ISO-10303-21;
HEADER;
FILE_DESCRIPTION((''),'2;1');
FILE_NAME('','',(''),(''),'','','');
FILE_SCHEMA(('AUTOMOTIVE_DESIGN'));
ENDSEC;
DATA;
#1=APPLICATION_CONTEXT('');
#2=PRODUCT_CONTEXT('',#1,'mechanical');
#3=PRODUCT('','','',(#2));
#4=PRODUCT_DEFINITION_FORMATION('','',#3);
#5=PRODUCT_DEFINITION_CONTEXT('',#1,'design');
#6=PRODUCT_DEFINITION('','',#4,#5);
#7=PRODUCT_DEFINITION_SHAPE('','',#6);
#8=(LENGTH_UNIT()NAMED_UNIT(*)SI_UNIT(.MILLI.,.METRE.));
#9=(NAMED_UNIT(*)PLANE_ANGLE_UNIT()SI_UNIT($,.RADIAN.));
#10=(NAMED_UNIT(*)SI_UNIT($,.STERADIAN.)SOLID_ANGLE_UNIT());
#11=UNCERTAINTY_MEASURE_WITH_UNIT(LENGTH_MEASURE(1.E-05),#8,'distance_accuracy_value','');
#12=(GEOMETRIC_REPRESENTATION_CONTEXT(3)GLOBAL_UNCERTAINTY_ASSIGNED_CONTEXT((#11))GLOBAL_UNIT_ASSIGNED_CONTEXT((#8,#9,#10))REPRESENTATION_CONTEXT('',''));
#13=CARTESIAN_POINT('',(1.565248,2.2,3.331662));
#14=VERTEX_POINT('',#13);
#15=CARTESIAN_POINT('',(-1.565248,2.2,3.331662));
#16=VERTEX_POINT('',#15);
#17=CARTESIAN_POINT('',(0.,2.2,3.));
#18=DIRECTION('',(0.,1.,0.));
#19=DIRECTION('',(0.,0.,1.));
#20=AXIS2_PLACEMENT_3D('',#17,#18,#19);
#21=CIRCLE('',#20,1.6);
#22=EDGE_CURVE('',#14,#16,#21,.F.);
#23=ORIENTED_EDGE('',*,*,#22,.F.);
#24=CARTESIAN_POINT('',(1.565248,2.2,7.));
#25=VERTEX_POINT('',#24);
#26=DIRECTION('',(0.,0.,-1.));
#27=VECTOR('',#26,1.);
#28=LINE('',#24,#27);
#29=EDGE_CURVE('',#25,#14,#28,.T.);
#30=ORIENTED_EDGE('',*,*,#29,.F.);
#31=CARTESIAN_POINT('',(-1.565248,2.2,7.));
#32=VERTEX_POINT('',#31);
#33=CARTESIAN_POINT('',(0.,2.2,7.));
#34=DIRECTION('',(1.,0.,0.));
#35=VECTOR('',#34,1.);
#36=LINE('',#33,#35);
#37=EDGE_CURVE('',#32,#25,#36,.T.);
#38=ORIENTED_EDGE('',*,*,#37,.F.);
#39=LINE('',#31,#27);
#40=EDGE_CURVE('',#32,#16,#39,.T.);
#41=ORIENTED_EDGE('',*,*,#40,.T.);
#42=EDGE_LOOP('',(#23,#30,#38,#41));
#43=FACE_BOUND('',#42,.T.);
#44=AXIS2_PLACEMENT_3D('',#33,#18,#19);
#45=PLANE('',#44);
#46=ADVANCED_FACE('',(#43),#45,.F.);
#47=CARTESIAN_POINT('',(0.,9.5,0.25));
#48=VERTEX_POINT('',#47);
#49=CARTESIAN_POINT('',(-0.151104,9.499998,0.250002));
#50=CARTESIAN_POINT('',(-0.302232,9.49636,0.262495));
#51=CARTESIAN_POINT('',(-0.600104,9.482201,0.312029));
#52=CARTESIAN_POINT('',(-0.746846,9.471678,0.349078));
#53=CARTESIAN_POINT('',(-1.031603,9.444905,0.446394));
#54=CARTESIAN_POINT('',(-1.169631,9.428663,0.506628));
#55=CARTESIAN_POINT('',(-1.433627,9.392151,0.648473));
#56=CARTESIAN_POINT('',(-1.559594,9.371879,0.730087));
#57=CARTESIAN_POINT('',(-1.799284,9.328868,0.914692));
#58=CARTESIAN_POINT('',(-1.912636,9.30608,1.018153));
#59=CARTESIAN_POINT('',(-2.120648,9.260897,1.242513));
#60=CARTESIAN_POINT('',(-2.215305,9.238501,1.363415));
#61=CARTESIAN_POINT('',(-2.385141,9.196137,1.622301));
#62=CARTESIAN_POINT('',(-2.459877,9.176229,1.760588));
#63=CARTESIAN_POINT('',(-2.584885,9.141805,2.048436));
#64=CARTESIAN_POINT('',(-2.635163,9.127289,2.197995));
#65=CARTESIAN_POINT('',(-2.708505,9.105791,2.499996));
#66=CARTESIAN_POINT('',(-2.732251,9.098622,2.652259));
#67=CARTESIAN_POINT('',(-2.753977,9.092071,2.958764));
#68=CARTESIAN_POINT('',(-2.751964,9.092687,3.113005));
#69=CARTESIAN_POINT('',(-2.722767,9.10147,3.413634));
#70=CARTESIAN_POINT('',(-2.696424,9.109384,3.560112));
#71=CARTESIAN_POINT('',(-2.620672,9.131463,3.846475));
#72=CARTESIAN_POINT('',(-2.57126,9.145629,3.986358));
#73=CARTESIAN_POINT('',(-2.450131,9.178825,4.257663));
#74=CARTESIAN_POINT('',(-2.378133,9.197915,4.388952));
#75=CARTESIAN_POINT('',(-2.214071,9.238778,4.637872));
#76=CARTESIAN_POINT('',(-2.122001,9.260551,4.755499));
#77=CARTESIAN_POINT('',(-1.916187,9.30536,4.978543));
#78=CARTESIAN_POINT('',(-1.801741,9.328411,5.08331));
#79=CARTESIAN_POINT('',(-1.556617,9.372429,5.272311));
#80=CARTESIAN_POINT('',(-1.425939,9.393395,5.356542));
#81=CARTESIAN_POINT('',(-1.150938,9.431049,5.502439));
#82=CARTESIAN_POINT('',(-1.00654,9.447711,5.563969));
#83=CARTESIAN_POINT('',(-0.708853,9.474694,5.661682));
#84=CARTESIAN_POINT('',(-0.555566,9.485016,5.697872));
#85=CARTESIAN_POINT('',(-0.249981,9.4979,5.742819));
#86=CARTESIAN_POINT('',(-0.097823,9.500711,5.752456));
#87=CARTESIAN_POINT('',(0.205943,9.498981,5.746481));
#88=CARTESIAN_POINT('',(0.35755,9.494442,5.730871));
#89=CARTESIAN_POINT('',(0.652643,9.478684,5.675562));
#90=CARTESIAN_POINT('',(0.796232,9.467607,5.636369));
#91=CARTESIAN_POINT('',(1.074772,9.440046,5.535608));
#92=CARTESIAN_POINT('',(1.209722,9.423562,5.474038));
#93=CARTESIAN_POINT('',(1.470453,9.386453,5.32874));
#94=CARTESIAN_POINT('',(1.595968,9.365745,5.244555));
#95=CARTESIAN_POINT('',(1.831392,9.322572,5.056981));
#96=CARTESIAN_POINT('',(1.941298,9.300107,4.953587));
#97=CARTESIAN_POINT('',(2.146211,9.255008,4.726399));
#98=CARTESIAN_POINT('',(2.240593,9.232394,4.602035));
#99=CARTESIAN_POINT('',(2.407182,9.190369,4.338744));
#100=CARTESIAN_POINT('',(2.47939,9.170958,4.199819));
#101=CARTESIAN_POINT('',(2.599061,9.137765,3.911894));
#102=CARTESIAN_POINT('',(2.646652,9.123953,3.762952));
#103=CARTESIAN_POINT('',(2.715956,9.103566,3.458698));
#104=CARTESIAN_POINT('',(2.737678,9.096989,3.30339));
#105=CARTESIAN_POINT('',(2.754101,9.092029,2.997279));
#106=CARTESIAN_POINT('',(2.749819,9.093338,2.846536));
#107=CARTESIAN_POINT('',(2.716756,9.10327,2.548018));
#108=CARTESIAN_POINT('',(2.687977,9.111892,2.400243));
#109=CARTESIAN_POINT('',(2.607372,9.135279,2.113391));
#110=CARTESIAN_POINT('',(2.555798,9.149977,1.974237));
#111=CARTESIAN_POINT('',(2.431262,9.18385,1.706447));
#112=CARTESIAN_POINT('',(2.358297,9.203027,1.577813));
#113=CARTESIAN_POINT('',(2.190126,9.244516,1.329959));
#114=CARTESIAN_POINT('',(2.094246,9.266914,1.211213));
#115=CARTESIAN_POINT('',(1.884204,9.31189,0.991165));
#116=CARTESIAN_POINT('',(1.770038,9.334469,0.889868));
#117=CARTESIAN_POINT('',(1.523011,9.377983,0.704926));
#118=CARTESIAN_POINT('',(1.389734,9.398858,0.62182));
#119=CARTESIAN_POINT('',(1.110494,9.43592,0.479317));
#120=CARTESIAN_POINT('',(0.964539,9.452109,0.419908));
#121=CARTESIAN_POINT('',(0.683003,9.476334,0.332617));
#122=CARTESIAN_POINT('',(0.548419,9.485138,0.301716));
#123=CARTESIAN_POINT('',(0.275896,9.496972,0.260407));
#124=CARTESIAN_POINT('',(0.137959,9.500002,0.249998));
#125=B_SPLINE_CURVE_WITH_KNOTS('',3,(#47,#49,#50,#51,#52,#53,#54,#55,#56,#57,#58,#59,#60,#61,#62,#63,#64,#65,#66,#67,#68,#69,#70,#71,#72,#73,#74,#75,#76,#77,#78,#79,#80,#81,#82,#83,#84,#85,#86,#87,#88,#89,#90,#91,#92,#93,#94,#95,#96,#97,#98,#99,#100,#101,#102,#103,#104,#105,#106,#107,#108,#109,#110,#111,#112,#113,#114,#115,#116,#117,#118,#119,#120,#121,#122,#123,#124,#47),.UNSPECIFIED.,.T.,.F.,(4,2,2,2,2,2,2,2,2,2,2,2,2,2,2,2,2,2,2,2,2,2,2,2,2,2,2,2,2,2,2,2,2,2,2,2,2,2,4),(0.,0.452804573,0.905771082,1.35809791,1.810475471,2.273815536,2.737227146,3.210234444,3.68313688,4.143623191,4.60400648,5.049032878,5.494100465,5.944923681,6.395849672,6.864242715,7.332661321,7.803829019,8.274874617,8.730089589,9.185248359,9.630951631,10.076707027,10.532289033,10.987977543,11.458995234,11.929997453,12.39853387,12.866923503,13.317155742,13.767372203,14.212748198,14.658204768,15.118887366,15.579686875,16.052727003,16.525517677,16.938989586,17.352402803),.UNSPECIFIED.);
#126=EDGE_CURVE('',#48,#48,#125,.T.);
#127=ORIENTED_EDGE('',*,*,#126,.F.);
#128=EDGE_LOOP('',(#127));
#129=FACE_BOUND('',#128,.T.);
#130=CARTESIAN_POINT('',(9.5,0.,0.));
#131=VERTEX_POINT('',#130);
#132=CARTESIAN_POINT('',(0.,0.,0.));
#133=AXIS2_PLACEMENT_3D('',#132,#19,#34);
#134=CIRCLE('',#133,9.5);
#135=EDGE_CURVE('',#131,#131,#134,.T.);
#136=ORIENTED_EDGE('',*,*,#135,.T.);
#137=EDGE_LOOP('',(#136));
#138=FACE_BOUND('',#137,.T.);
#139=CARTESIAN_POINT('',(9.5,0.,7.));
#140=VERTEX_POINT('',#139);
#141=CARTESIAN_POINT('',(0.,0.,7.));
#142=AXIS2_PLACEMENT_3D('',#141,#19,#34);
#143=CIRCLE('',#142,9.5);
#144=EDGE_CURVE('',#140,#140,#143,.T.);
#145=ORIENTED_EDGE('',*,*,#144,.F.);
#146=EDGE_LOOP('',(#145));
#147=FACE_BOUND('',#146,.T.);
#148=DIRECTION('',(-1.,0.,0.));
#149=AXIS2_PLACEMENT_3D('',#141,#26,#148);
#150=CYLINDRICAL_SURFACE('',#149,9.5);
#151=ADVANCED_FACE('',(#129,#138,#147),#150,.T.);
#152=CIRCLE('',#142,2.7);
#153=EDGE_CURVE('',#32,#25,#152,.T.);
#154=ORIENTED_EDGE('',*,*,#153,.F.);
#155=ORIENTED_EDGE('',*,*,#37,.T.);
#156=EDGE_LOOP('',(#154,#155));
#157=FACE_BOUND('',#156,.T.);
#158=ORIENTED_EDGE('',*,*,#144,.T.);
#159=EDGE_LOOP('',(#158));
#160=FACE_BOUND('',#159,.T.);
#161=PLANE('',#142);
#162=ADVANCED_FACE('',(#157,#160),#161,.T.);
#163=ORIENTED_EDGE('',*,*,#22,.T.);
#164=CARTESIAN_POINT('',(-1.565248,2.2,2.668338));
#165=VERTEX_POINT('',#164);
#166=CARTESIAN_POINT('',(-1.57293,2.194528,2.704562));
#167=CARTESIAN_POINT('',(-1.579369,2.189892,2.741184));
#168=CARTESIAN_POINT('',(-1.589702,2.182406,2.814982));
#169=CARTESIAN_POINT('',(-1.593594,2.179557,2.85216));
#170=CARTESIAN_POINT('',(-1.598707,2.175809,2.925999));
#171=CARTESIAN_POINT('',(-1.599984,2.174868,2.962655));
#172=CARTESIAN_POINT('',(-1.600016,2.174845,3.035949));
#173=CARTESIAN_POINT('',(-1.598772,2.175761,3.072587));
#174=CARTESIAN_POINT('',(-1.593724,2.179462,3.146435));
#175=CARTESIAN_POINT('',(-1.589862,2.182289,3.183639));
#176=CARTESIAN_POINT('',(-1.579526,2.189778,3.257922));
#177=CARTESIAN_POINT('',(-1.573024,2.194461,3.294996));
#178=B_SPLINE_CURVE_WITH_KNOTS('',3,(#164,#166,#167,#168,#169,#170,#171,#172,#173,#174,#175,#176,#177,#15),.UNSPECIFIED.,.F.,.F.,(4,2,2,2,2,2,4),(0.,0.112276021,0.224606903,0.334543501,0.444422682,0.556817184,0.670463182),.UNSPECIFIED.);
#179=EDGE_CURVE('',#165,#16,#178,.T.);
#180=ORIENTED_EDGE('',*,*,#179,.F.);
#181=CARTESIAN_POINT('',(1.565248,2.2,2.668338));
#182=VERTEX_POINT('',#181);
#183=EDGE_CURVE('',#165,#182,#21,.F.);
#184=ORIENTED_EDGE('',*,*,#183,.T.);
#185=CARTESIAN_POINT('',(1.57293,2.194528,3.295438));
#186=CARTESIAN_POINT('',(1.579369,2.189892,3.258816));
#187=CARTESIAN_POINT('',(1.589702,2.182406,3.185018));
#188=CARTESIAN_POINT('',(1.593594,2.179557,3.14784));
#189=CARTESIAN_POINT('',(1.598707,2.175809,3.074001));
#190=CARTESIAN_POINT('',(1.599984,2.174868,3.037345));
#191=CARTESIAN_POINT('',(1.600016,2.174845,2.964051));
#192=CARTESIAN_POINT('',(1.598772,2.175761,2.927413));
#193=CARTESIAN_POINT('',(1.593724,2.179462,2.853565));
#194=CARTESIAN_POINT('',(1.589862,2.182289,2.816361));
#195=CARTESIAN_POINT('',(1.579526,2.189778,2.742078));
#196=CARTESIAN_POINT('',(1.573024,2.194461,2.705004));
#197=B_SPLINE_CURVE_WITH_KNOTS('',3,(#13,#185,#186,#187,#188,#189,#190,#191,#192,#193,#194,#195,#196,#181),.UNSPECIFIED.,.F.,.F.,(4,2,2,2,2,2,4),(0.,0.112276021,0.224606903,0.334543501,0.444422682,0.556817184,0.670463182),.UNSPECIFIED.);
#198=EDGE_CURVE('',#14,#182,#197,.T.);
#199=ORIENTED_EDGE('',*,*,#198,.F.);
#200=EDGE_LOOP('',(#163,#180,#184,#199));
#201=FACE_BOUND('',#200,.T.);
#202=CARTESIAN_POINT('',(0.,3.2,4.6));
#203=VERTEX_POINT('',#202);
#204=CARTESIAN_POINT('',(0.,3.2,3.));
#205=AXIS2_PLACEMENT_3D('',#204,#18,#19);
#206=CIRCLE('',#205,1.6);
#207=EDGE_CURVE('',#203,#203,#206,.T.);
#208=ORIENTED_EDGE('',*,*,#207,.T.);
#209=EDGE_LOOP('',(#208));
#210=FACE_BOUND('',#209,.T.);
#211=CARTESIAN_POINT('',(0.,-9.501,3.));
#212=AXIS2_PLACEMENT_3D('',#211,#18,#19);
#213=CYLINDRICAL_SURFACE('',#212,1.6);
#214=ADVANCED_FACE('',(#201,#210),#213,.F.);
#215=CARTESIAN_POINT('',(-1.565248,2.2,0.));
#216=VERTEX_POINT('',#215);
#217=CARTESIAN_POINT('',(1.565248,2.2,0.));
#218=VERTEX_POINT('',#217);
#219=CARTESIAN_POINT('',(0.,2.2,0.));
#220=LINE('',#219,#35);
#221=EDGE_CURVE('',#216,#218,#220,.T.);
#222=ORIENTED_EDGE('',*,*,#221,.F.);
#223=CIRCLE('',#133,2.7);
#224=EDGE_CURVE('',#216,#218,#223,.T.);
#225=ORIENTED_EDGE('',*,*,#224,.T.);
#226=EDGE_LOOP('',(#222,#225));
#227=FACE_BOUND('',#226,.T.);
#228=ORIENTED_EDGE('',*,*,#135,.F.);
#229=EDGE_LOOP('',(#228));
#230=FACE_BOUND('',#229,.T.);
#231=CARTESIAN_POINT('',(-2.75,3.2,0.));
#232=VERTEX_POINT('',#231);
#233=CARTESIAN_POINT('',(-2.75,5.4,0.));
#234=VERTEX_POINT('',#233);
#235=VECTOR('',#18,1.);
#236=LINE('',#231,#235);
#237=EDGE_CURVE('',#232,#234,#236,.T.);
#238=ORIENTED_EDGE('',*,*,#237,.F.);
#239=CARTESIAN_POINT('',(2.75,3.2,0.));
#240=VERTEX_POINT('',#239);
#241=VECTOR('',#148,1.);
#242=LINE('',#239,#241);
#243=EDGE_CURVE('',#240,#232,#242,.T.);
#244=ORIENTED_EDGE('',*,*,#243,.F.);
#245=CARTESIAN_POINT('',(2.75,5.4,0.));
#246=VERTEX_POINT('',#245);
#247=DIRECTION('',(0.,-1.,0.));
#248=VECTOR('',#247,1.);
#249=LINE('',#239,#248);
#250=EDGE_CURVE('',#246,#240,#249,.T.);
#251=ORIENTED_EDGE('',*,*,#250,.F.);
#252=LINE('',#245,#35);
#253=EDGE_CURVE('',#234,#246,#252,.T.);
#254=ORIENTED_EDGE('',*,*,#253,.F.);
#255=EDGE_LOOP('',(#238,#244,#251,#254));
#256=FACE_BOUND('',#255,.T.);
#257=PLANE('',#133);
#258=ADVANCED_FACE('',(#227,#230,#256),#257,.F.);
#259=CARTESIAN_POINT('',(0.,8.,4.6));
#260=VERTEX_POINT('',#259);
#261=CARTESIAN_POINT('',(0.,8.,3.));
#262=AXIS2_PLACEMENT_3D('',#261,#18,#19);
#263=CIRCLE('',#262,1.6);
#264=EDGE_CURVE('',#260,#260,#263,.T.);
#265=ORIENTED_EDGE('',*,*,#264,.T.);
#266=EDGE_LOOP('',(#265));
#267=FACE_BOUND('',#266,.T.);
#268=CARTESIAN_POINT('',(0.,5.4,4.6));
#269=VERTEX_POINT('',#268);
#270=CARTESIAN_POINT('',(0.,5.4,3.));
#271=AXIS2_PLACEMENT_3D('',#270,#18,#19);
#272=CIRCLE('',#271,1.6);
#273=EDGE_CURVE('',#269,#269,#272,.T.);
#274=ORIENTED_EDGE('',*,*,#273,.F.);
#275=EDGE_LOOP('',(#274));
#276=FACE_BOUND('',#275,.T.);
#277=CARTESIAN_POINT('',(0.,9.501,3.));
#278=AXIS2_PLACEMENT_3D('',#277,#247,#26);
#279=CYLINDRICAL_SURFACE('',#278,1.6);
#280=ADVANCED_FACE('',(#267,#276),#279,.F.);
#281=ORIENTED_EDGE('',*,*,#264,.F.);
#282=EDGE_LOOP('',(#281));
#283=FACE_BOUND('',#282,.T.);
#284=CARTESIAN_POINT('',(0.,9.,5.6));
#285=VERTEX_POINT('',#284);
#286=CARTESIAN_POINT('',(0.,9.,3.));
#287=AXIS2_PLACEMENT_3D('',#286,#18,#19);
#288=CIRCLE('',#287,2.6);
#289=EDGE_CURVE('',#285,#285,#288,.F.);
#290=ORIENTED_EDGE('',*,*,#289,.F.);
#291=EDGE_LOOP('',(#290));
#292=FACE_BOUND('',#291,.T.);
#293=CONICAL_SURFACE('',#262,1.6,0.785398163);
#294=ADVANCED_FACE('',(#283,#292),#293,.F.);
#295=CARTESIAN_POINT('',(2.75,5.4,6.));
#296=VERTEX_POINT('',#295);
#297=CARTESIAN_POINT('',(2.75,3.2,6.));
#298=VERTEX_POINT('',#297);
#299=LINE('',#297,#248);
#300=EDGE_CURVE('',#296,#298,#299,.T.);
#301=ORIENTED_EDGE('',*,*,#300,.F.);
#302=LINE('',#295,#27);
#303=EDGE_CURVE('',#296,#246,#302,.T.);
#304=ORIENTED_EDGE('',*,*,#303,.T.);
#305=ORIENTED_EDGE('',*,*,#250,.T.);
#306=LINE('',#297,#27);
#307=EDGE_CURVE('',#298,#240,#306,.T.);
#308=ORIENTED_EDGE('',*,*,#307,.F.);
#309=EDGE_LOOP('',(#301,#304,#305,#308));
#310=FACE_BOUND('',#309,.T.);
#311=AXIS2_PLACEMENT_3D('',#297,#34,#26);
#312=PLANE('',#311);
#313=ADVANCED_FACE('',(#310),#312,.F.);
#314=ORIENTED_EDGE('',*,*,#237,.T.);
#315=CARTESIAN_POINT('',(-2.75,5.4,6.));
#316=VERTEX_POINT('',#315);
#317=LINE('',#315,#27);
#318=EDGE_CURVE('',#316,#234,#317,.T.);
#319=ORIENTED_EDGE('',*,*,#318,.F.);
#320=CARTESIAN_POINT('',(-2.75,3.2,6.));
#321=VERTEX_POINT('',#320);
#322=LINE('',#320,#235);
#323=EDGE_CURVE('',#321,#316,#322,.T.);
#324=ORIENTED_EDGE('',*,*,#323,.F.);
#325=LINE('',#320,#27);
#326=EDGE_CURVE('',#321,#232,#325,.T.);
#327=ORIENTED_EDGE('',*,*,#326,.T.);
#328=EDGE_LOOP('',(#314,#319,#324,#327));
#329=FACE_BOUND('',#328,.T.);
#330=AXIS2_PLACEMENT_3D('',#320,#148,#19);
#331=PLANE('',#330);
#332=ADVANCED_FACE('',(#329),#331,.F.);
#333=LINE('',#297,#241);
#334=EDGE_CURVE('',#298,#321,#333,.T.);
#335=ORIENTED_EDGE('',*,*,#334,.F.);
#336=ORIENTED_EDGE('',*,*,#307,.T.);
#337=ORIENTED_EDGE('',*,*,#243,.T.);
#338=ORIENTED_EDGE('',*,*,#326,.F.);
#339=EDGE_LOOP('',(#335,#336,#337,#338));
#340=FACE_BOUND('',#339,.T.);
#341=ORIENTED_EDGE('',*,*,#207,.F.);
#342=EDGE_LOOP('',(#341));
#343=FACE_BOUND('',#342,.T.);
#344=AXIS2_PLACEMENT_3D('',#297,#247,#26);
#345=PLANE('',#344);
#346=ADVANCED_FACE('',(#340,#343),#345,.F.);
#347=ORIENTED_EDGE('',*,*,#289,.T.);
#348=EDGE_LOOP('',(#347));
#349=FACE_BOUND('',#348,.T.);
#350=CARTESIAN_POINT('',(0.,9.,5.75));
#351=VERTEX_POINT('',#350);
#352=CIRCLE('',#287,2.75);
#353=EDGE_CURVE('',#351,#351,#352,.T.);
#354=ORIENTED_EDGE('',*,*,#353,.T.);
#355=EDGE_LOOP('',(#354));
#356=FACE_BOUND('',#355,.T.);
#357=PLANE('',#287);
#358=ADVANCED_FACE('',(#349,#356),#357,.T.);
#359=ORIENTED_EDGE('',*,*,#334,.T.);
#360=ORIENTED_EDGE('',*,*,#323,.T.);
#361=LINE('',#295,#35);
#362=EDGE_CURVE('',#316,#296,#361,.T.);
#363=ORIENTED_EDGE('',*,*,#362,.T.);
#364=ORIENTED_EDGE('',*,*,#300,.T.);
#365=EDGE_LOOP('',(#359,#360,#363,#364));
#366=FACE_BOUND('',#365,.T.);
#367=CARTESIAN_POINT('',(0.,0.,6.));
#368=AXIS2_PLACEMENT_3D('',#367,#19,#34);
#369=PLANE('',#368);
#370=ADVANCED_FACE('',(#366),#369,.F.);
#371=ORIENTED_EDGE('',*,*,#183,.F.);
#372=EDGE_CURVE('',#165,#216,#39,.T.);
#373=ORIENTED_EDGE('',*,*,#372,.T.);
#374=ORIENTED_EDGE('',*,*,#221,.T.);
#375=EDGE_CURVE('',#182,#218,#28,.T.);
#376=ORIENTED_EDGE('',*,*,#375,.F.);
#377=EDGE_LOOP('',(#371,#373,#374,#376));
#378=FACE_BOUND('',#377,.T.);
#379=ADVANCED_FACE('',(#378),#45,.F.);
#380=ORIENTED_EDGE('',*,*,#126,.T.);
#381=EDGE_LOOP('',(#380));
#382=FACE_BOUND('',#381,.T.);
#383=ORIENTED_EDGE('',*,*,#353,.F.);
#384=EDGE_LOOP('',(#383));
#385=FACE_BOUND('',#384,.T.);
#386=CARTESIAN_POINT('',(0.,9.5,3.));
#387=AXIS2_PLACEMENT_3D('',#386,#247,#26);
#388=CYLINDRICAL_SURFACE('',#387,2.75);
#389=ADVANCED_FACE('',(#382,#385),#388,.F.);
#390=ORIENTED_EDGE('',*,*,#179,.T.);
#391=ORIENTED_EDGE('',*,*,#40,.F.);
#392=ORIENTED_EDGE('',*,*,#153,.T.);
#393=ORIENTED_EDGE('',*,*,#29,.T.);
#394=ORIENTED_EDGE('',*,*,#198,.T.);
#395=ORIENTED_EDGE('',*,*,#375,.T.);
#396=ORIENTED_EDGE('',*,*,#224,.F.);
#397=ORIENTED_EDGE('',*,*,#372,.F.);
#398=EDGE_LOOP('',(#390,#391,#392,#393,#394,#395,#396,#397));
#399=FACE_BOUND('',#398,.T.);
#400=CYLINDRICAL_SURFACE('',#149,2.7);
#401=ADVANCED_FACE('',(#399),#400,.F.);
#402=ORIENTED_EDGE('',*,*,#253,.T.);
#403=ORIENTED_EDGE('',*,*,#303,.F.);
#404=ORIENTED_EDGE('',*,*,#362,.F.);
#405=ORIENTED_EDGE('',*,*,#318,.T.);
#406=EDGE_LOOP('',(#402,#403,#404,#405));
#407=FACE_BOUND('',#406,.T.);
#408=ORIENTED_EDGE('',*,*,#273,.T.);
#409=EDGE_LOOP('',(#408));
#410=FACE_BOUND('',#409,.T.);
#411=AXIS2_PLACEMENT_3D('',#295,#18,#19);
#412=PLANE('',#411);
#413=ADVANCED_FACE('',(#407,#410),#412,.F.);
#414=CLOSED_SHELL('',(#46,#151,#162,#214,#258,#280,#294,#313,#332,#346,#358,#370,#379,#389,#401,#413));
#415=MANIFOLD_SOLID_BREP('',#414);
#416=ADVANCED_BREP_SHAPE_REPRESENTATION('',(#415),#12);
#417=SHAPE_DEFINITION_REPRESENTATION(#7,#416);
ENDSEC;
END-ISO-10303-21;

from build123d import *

# Parameters (mm, degrees)
ESQUISSE1_R                         = 9.5
BOSS_EXTRU_1_DEPTH                  = 7
ESQUISSE2_W                         = 5.5
ESQUISSE2_H                         = 2.2
ENL_V_MAT_EXTRU_1_DEPTH             = 6
ENL_V_MAT_EXTRU_2_REACH             = 19.336
ESQUISSE3_R                         = 1.6
ENL_V_MAT_EXTRU_2_DIRECTION_2_REACH = 19.336
ESQUISSE7_R                         = 2.75
ENL_V_MAT_EXTRU_4_DEPTH             = 22.943108417
CHANFREIN2_SIZE                     = 1


with BuildPart() as part:
    # Esquisse1 → Boss.-Extru.1 (new body)
    with BuildSketch(Plane.XY):
        Circle(ESQUISSE1_R)
        with BuildLine():
            Line((-1.565247584, 2.2), (1.565247584, 2.2))
            ThreePointArc((1.565247584, 2.2), (0, -2.7), (-1.565247584, 2.2))
        make_face(mode=Mode.SUBTRACT)
    extrude(amount=BOSS_EXTRU_1_DEPTH)

    # Esquisse2 → Enlèv. mat.-Extru.1 (cut)
    with BuildSketch(Plane(origin=(0, 0, 0), x_dir=(-1, 0, 0), z_dir=(0, 0, -1))):
        with Locations((0, 4.3)):
            Rectangle(ESQUISSE2_W, ESQUISSE2_H)
    extrude(amount=-ENL_V_MAT_EXTRU_1_DEPTH, mode=Mode.SUBTRACT)

    # Esquisse3 → Enlèv. mat.-Extru.2 (cut, up to next)
    with BuildSketch(Plane(origin=(0, 3.2, 0), x_dir=(1, 0, 0), z_dir=(0, 1, 0)), mode=Mode.PRIVATE) as enl_v_mat_extru_2_sk1:
        with Locations(Location((0, -3, 0), (0, 0, 90))):
            Circle(ESQUISSE3_R)
    enl_v_mat_extru_2_tool1 = extrude(enl_v_mat_extru_2_sk1.sketch, amount=-ENL_V_MAT_EXTRU_2_REACH, mode=Mode.PRIVATE) & part.part
    add(enl_v_mat_extru_2_tool1.solids().sort_by_distance((0, 3.2, 3))[0], mode=Mode.SUBTRACT)

    # Esquisse3 → Enlèv. mat.-Extru.2 direction 2 (cut, up to next)
    with BuildSketch(Plane(origin=(0, 3.2, 0), x_dir=(1, 0, 0), z_dir=(0, 1, 0)), mode=Mode.PRIVATE) as enl_v_mat_extru_2_direction_2_sk1:
        with Locations(Location((0, -3, 0), (0, 0, 90))):
            Circle(ESQUISSE3_R)
    enl_v_mat_extru_2_direction_2_tool1 = extrude(enl_v_mat_extru_2_direction_2_sk1.sketch, amount=ENL_V_MAT_EXTRU_2_DIRECTION_2_REACH, mode=Mode.PRIVATE) & part.part
    add(enl_v_mat_extru_2_direction_2_tool1.solids().sort_by_distance((0, 3.2, 3))[0], mode=Mode.SUBTRACT)

    # Esquisse7 → Enlèv. mat.-Extru.4 (cut, through all)
    with BuildSketch(Plane(origin=(0, 9, 0), x_dir=(1, 0, 0), z_dir=(0, 1, 0))):
        with Locations(Location((0, -3, 0), (0, 0, 90))):
            Circle(ESQUISSE7_R)
    extrude(amount=ENL_V_MAT_EXTRU_4_DEPTH, mode=Mode.SUBTRACT)

    # Chanfrein2
    chanfrein2_edges = [part.edges().sort_by_distance(p)[0] for p in [
        (0, 9, 4.6),
    ]]
    chamfer(chanfrein2_edges, length=CHANFREIN2_SIZE)


solid = part.part
